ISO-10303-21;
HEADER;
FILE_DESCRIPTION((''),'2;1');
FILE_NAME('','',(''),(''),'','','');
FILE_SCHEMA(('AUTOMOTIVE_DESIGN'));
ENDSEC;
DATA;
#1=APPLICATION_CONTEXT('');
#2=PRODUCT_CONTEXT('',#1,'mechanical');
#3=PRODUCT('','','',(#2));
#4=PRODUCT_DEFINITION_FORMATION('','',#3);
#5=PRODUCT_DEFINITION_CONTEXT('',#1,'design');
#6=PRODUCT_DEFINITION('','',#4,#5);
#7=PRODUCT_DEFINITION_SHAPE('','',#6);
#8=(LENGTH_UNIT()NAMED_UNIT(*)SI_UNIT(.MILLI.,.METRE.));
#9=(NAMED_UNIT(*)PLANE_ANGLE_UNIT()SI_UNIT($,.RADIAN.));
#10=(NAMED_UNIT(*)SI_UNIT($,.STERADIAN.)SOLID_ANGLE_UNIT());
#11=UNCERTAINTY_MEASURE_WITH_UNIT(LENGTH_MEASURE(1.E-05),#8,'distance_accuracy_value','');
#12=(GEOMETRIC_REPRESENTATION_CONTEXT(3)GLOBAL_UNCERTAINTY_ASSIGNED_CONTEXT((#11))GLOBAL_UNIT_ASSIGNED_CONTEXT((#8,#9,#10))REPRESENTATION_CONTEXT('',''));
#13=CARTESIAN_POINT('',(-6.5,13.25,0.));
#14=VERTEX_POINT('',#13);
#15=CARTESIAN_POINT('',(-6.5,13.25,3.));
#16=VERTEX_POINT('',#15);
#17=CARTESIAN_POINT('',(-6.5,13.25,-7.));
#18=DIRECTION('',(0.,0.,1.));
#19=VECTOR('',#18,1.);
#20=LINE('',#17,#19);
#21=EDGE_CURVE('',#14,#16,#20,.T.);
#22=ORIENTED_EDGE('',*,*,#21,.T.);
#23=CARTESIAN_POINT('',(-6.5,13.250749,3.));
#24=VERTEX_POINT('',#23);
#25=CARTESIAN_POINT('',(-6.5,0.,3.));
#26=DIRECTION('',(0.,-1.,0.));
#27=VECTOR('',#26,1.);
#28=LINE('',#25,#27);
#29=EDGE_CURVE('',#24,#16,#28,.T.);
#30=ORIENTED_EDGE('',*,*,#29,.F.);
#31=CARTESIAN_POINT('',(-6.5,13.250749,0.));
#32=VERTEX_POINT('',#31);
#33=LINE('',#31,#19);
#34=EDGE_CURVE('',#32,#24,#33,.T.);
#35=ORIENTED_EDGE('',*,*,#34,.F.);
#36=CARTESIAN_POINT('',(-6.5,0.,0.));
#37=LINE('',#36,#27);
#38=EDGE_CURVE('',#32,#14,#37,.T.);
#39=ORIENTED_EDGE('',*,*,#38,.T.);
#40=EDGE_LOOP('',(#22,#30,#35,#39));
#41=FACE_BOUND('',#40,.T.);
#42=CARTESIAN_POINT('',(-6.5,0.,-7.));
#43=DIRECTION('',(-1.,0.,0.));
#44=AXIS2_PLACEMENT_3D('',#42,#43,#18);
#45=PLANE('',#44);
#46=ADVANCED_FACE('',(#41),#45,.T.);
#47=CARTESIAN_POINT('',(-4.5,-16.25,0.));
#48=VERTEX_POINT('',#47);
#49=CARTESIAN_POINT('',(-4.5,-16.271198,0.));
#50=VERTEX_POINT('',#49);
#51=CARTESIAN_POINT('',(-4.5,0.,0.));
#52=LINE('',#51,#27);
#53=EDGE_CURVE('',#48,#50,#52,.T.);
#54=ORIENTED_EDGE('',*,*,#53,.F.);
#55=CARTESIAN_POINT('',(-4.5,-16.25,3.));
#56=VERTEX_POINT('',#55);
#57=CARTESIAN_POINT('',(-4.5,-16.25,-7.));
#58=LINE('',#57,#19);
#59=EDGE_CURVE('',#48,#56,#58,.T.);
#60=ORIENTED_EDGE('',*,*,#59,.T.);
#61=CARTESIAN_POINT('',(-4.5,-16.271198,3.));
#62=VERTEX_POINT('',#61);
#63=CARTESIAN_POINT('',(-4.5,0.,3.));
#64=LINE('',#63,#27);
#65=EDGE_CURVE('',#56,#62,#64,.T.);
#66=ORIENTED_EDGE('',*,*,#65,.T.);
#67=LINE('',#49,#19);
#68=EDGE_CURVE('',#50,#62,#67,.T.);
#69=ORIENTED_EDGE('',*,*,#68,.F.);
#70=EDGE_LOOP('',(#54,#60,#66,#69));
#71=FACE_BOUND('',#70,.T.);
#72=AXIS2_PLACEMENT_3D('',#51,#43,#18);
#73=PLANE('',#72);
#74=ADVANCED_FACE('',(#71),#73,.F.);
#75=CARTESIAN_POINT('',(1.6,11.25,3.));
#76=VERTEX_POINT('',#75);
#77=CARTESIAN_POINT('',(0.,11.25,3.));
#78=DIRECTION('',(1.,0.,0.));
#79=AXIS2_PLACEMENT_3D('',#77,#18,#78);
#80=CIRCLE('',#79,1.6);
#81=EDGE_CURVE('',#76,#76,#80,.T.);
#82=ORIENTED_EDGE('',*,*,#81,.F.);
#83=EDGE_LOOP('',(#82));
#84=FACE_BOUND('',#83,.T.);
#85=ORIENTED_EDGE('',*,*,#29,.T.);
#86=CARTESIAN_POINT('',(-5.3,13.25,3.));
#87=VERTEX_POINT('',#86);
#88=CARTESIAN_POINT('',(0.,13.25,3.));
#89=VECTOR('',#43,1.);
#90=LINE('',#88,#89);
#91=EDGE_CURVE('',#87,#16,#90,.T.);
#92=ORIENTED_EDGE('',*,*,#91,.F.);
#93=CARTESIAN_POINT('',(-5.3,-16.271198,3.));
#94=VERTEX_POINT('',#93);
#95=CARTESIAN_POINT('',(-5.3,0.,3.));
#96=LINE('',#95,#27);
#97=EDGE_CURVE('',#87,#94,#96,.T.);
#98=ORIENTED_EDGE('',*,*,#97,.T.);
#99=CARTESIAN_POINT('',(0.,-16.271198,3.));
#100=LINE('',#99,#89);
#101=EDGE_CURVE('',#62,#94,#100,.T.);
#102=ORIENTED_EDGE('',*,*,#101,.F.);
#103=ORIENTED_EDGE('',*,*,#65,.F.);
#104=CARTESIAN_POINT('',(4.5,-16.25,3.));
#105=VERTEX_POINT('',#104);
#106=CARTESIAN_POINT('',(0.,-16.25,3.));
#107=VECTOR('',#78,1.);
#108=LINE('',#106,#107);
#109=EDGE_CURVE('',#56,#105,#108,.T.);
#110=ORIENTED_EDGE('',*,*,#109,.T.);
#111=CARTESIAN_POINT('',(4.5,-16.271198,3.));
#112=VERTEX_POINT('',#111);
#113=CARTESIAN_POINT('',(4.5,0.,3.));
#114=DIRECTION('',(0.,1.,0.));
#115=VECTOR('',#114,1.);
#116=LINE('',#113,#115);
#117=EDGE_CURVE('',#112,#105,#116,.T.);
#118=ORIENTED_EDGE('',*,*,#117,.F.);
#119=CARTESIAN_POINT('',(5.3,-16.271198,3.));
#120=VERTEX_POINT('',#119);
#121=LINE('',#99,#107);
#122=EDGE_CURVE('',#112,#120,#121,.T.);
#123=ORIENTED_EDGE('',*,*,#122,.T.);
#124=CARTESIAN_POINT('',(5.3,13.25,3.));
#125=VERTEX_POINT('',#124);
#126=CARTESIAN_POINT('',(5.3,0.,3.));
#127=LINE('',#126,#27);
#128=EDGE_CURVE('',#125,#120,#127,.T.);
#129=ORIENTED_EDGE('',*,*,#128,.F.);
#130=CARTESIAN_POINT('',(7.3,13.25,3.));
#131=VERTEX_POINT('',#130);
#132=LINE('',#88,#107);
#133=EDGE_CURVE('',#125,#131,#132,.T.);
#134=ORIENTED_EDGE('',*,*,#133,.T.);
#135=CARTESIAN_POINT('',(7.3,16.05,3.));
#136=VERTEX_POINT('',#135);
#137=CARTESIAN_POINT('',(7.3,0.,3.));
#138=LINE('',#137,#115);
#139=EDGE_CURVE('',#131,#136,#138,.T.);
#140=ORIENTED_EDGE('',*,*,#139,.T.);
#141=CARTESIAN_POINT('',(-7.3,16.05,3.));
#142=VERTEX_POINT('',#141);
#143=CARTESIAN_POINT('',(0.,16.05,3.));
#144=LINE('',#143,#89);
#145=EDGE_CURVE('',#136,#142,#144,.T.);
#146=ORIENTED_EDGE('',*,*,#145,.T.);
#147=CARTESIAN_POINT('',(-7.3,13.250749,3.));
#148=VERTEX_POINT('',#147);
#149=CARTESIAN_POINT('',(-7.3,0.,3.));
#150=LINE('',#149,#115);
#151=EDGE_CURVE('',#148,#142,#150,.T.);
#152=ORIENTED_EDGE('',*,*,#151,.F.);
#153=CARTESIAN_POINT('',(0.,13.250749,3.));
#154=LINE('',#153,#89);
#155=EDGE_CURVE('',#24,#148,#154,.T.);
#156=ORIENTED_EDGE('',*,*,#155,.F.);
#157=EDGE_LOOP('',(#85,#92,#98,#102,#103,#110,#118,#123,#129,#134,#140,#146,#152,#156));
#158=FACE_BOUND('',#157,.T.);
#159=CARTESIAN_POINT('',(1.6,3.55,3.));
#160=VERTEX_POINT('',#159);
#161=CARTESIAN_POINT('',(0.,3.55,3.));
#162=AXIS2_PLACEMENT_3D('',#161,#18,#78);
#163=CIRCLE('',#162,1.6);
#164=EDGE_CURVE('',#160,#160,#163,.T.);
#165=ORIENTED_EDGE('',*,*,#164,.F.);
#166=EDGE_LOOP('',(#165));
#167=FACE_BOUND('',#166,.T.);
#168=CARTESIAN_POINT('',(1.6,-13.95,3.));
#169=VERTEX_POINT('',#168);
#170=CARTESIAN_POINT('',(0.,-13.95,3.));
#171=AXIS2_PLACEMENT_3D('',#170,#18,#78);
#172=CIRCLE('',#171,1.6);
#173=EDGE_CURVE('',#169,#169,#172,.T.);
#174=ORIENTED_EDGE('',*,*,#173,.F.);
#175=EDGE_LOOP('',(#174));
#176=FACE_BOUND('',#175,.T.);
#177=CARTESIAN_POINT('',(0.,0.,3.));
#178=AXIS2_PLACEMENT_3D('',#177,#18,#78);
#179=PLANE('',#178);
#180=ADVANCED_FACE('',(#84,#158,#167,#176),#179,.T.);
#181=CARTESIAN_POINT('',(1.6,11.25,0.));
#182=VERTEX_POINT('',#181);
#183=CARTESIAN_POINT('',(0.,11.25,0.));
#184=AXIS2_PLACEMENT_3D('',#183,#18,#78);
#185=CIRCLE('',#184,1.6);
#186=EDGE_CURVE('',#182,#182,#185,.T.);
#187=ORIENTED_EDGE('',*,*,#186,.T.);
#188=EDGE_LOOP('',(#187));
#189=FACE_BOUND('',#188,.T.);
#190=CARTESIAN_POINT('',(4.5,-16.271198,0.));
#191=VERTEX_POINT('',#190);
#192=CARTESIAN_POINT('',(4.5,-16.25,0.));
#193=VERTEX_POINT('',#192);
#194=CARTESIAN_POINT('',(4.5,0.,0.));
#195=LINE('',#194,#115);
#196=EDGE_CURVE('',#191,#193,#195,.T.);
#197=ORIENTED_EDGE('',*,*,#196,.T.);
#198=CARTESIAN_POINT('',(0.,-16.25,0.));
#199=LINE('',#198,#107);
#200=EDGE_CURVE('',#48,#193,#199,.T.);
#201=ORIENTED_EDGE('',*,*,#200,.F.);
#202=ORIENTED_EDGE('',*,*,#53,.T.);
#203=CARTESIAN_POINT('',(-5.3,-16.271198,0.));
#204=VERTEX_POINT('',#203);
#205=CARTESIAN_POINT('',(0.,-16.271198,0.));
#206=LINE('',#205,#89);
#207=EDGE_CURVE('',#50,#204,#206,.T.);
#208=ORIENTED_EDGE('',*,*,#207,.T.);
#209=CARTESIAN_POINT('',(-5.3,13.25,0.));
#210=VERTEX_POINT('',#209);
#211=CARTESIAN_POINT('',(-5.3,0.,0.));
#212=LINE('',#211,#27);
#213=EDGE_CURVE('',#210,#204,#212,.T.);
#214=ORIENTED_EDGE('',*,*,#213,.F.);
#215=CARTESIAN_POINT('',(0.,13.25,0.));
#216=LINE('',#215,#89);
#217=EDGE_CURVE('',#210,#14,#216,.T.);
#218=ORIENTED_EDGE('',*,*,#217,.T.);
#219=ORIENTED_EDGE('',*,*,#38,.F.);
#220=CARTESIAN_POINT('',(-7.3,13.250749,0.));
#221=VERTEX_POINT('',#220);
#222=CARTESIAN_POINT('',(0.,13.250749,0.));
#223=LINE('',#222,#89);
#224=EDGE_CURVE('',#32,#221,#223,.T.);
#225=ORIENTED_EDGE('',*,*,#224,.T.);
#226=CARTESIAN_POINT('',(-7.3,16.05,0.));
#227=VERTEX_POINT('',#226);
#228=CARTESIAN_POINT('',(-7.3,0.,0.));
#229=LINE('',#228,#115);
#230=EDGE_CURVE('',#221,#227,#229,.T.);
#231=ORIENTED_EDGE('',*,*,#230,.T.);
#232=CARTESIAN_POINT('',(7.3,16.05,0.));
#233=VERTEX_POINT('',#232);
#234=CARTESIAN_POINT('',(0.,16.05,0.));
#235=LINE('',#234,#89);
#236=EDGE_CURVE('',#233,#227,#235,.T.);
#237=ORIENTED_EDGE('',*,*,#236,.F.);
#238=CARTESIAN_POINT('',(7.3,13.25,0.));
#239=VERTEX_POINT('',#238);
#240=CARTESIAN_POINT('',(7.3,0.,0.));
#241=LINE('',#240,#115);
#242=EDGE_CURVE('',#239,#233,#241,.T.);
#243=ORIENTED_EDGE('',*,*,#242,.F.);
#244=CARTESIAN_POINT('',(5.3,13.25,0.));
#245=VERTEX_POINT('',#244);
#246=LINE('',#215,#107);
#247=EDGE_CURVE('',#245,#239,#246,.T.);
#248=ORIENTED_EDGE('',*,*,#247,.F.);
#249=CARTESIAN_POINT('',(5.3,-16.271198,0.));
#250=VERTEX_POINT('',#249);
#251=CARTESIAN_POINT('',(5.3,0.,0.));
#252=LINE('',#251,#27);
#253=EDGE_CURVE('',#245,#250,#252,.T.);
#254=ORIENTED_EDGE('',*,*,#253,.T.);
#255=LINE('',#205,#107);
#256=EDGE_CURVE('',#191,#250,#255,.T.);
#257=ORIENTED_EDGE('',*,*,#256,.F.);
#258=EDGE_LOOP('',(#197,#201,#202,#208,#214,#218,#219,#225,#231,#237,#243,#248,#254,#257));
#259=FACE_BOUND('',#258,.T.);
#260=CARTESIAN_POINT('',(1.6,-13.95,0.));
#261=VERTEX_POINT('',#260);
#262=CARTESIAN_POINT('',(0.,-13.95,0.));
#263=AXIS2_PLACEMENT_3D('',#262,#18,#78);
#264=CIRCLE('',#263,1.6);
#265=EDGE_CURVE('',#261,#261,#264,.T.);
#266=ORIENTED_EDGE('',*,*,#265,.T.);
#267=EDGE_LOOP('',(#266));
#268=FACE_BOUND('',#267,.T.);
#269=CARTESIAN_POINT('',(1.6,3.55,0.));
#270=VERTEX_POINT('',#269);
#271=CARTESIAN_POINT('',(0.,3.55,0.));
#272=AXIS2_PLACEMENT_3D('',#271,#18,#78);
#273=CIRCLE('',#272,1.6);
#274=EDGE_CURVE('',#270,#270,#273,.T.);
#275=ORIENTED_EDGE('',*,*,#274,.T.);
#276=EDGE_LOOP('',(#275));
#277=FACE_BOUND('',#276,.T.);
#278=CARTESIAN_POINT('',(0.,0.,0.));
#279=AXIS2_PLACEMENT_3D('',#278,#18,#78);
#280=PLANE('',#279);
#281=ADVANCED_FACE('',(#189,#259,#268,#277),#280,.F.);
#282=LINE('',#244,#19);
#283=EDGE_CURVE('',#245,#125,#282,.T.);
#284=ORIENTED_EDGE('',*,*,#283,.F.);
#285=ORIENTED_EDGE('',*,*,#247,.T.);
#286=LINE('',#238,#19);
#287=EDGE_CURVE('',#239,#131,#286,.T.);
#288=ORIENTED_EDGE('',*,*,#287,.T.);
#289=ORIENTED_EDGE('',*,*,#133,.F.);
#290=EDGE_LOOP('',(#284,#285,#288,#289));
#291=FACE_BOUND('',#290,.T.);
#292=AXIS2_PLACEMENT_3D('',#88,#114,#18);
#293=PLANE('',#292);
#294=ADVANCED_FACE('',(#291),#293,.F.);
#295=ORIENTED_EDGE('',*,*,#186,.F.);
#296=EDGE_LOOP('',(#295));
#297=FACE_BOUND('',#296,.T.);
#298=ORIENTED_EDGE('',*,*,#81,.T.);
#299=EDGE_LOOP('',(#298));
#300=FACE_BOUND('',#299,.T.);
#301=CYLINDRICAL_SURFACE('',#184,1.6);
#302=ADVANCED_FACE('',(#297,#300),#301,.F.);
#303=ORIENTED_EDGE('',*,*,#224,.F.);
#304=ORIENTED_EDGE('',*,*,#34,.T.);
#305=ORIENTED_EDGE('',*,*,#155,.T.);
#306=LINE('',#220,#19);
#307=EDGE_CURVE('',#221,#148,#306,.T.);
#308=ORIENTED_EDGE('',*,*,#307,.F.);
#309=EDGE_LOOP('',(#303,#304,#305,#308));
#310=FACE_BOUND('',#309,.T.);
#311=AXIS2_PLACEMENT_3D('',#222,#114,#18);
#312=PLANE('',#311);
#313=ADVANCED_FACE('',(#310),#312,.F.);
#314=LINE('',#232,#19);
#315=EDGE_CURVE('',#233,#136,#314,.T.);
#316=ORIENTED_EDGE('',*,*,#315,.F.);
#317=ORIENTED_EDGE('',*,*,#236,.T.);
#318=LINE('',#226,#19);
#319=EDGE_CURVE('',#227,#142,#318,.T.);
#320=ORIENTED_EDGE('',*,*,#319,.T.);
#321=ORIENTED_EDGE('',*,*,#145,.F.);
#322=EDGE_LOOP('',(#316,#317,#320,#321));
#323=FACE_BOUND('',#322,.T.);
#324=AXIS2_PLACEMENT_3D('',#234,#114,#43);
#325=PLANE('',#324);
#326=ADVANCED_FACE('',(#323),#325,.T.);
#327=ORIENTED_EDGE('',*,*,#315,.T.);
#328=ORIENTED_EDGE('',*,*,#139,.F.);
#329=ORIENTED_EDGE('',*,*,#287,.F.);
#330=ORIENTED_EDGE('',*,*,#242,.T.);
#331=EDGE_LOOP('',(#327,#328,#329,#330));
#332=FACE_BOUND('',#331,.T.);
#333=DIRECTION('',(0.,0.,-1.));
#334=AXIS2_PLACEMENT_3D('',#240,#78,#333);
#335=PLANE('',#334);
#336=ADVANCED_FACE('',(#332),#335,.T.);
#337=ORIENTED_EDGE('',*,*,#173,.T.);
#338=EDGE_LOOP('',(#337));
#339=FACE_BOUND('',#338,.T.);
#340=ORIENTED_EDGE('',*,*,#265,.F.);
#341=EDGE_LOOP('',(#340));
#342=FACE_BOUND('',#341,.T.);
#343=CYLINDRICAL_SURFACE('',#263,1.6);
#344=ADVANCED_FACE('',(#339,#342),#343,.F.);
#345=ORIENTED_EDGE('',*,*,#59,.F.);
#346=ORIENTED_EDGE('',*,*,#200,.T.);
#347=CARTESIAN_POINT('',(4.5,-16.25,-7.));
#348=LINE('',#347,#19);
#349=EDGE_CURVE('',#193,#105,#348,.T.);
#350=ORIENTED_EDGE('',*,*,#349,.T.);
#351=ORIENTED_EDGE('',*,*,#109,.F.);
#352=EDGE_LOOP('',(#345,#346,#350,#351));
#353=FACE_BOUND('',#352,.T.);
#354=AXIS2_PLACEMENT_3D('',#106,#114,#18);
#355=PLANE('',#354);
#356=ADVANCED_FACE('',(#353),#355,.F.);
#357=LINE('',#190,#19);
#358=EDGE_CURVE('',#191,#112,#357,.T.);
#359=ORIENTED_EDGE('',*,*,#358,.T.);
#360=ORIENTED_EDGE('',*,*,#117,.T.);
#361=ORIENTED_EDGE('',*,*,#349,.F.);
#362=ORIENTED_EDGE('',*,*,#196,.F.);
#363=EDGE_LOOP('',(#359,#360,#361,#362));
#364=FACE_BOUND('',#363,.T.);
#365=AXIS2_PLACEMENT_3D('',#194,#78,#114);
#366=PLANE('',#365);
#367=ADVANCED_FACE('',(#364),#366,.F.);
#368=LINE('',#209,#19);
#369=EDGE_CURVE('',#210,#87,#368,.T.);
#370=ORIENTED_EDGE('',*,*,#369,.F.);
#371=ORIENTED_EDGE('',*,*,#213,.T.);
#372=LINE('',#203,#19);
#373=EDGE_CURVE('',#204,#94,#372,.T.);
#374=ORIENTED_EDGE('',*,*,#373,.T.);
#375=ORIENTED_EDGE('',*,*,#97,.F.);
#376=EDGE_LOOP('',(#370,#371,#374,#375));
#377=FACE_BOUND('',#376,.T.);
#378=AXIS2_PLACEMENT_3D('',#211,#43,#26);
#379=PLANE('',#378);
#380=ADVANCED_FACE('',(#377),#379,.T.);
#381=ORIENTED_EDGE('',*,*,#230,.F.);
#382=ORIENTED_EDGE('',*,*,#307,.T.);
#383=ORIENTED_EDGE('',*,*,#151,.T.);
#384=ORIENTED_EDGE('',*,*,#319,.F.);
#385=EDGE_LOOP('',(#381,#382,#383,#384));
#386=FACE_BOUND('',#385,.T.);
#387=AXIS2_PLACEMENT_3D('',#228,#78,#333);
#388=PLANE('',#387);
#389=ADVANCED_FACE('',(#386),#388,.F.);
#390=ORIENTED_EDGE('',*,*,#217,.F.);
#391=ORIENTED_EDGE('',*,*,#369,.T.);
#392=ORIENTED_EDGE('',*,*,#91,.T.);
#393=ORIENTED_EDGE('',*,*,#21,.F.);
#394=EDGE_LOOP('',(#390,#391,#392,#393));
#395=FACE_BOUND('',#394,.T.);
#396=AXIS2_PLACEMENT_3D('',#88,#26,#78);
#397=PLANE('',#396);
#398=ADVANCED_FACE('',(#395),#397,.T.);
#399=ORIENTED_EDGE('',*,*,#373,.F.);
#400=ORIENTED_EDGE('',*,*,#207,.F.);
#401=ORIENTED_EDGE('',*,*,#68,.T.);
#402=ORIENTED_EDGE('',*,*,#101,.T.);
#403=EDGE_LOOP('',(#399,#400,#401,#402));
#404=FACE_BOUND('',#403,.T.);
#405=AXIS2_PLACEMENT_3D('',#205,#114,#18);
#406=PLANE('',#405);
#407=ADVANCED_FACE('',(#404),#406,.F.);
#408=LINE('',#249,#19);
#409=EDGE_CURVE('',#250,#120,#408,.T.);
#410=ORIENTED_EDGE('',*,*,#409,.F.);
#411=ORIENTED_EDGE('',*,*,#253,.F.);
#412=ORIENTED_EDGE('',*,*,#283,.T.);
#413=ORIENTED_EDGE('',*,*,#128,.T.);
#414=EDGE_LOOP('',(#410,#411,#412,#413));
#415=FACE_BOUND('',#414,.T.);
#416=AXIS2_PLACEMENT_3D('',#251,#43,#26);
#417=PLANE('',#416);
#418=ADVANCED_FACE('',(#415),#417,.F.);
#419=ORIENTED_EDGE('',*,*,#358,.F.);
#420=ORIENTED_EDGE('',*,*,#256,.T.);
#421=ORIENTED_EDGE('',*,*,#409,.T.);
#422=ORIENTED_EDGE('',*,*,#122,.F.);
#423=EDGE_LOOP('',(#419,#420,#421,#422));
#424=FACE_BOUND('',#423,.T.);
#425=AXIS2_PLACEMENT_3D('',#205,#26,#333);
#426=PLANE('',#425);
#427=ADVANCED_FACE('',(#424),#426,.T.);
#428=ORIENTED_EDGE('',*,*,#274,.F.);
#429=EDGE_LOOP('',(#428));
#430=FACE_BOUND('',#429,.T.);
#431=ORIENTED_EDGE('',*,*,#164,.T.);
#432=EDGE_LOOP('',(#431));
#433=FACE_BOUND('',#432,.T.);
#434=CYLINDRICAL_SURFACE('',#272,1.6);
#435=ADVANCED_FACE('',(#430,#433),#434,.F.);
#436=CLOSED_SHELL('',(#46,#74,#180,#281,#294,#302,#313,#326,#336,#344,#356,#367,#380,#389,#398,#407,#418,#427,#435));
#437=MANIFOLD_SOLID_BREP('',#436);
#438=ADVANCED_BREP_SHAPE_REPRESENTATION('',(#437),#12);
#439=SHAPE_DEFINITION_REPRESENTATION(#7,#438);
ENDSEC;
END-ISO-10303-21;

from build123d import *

# Parameters (mm, degrees)
SKIZZE1_W                       = 2.5
SKIZZE1_H                       = 3
SKIZZE1_W_2                     = 7
SKIZZE1_H_2                     = 7
SKIZZE1_R                       = 1.25
SKIZZE1_H_3                     = 22.5
SKIZZE1_R_2                     = 1.5
AUFSATZ_LINEAR_AUSTRAGEN1_DEPTH = 3
SKIZZE2_W                       = 2
SKIZZE2_H                       = 29.5
SKIZZE2_W_2                     = 1.5
SKIZZE2_H_2                     = 3
AUFSATZ_LINEAR_AUSTRAGEN2_DEPTH = 3
SKIZZE3_W                       = 1
SKIZZE3_H                       = 1
SKIZZE3_H_2                     = 2
SKIZZE3_W_2                     = 13
SKIZZE3_H_3                     = 29.5
SCHNITT_LINEAR_AUSTRAGEN1_DEPTH = 10
SKIZZE4_W                       = 0.8
SKIZZE4_H                       = 1.999250504
SKIZZE4_H_2                     = 2
AUFSATZ_LINEAR_AUSTRAGEN3_DEPTH = 3
SKIZZE5_R                       = 1.6
SCHNITT_LINEAR_AUSTRAGEN2_DEPTH = 3


with BuildPart() as part:
    # Skizze1 → Aufsatz-Linear austragen1 (new body)
    # profile 1 of 5: a face of its own
    with BuildSketch(Plane.XY):
        with Locations((4.75, 14.75)):
            Rectangle(SKIZZE1_W, SKIZZE1_H)
    # profile 2 of 5: a face of its own
    with BuildSketch(Plane.XY):
        with Locations((0, 14.75)):
            Rectangle(SKIZZE1_W_2, SKIZZE1_H)
    # profile 3 of 5: a face of its own
    with BuildSketch(Plane.XY):
        with Locations((-4.75, 14.75)):
            Rectangle(SKIZZE1_W, SKIZZE1_H)
    # profile 4 of 5: a face of its own
    with BuildSketch(Plane.XY):
        with Locations((0, 9.75)):
            Rectangle(SKIZZE1_W_2, SKIZZE1_H_2)
        with Locations((0, 11.25)):
            Circle(SKIZZE1_R, mode=Mode.SUBTRACT)
    # profile 5 of 5: a face of its own
    with BuildSketch(Plane.XY):
        with Locations((0, -5)):
            Rectangle(SKIZZE1_W_2, SKIZZE1_H_3)
        with Locations((0, -13.95)):
            Circle(SKIZZE1_R_2, mode=Mode.SUBTRACT)
        with Locations((0, 3.55)):
            Circle(SKIZZE1_R_2, mode=Mode.SUBTRACT)
    extrude(amount=AUFSATZ_LINEAR_AUSTRAGEN1_DEPTH)

    # Skizze2 → Aufsatz-Linear austragen2 (add)
    with BuildSketch(Plane(origin=(0, 0, 0), x_dir=(-1, 0, 0), z_dir=(0, 0, -1))):
        with Locations((-4.5, -1.5)):
            Rectangle(SKIZZE2_W, SKIZZE2_H)
        with Locations((4.5, -1.5)):
            Rectangle(SKIZZE2_W, SKIZZE2_H)
        with Locations((6.75, 14.75)):
            Rectangle(SKIZZE2_W_2, SKIZZE2_H_2)
        with Locations((-6.75, 14.75)):
            Rectangle(SKIZZE2_W_2, SKIZZE2_H_2)
    extrude(amount=-AUFSATZ_LINEAR_AUSTRAGEN2_DEPTH)

    # Skizze3 → Schnitt-Linear austragen1 (cut)
    with BuildSketch(Plane.XY.offset(3)):
        with Locations((-7, 15.75)):
            Rectangle(SKIZZE3_W, SKIZZE3_H)
        with Locations((-7, 14.25)):
            Rectangle(SKIZZE3_W, SKIZZE3_H_2)
        with Locations((0, 15.75)):
            Rectangle(SKIZZE3_W_2, SKIZZE3_H)
        with Locations((7, 15.75)):
            Rectangle(SKIZZE3_W, SKIZZE3_H)
        with Locations((7, 14.25)):
            Rectangle(SKIZZE3_W, SKIZZE3_H_2)
        with Locations((5, -1.5)):
            Rectangle(SKIZZE3_W, SKIZZE3_H_3)
        with Locations((-5, -1.5)):
            Rectangle(SKIZZE3_W, SKIZZE3_H_3)
    extrude(amount=-SCHNITT_LINEAR_AUSTRAGEN1_DEPTH, mode=Mode.SUBTRACT)

    # Skizze4 → Aufsatz-Linear austragen3 (add)
    with BuildSketch(Plane.XY.offset(3)):
        Polygon((-7.3, 15.25), (-7.3, 16.05), (7.3, 16.05), (7.3, 15.25), (6.5, 15.25), (-6.5, 15.25), align=None)
        with Locations((-6.9, 14.250374748)):
            Rectangle(SKIZZE4_W, SKIZZE4_H)
        Polygon((-4.5, 13.25), (-5.3, 13.25), (-5.3, -16.271198208), (-4.5, -16.271198208), (-4.5, -16.25), align=None)
        Polygon((5.3, -16.271198208), (5.3, 13.25), (4.5, 13.25), (4.5, -16.25), (4.5, -16.271198208), align=None)
        with Locations((6.9, 14.25)):
            Rectangle(SKIZZE4_W, SKIZZE4_H_2)
    extrude(amount=-AUFSATZ_LINEAR_AUSTRAGEN3_DEPTH)

    # Skizze5 → Schnitt-Linear austragen2 (cut)
    with BuildSketch(Plane.XY.offset(3)):
        with Locations((0, 11.25)):
            Circle(SKIZZE5_R)
        with Locations((0, 3.55)):
            Circle(SKIZZE5_R)
        with Locations((0, -13.95)):
            Circle(SKIZZE5_R)
    extrude(amount=-SCHNITT_LINEAR_AUSTRAGEN2_DEPTH, mode=Mode.SUBTRACT)


solid = part.part
